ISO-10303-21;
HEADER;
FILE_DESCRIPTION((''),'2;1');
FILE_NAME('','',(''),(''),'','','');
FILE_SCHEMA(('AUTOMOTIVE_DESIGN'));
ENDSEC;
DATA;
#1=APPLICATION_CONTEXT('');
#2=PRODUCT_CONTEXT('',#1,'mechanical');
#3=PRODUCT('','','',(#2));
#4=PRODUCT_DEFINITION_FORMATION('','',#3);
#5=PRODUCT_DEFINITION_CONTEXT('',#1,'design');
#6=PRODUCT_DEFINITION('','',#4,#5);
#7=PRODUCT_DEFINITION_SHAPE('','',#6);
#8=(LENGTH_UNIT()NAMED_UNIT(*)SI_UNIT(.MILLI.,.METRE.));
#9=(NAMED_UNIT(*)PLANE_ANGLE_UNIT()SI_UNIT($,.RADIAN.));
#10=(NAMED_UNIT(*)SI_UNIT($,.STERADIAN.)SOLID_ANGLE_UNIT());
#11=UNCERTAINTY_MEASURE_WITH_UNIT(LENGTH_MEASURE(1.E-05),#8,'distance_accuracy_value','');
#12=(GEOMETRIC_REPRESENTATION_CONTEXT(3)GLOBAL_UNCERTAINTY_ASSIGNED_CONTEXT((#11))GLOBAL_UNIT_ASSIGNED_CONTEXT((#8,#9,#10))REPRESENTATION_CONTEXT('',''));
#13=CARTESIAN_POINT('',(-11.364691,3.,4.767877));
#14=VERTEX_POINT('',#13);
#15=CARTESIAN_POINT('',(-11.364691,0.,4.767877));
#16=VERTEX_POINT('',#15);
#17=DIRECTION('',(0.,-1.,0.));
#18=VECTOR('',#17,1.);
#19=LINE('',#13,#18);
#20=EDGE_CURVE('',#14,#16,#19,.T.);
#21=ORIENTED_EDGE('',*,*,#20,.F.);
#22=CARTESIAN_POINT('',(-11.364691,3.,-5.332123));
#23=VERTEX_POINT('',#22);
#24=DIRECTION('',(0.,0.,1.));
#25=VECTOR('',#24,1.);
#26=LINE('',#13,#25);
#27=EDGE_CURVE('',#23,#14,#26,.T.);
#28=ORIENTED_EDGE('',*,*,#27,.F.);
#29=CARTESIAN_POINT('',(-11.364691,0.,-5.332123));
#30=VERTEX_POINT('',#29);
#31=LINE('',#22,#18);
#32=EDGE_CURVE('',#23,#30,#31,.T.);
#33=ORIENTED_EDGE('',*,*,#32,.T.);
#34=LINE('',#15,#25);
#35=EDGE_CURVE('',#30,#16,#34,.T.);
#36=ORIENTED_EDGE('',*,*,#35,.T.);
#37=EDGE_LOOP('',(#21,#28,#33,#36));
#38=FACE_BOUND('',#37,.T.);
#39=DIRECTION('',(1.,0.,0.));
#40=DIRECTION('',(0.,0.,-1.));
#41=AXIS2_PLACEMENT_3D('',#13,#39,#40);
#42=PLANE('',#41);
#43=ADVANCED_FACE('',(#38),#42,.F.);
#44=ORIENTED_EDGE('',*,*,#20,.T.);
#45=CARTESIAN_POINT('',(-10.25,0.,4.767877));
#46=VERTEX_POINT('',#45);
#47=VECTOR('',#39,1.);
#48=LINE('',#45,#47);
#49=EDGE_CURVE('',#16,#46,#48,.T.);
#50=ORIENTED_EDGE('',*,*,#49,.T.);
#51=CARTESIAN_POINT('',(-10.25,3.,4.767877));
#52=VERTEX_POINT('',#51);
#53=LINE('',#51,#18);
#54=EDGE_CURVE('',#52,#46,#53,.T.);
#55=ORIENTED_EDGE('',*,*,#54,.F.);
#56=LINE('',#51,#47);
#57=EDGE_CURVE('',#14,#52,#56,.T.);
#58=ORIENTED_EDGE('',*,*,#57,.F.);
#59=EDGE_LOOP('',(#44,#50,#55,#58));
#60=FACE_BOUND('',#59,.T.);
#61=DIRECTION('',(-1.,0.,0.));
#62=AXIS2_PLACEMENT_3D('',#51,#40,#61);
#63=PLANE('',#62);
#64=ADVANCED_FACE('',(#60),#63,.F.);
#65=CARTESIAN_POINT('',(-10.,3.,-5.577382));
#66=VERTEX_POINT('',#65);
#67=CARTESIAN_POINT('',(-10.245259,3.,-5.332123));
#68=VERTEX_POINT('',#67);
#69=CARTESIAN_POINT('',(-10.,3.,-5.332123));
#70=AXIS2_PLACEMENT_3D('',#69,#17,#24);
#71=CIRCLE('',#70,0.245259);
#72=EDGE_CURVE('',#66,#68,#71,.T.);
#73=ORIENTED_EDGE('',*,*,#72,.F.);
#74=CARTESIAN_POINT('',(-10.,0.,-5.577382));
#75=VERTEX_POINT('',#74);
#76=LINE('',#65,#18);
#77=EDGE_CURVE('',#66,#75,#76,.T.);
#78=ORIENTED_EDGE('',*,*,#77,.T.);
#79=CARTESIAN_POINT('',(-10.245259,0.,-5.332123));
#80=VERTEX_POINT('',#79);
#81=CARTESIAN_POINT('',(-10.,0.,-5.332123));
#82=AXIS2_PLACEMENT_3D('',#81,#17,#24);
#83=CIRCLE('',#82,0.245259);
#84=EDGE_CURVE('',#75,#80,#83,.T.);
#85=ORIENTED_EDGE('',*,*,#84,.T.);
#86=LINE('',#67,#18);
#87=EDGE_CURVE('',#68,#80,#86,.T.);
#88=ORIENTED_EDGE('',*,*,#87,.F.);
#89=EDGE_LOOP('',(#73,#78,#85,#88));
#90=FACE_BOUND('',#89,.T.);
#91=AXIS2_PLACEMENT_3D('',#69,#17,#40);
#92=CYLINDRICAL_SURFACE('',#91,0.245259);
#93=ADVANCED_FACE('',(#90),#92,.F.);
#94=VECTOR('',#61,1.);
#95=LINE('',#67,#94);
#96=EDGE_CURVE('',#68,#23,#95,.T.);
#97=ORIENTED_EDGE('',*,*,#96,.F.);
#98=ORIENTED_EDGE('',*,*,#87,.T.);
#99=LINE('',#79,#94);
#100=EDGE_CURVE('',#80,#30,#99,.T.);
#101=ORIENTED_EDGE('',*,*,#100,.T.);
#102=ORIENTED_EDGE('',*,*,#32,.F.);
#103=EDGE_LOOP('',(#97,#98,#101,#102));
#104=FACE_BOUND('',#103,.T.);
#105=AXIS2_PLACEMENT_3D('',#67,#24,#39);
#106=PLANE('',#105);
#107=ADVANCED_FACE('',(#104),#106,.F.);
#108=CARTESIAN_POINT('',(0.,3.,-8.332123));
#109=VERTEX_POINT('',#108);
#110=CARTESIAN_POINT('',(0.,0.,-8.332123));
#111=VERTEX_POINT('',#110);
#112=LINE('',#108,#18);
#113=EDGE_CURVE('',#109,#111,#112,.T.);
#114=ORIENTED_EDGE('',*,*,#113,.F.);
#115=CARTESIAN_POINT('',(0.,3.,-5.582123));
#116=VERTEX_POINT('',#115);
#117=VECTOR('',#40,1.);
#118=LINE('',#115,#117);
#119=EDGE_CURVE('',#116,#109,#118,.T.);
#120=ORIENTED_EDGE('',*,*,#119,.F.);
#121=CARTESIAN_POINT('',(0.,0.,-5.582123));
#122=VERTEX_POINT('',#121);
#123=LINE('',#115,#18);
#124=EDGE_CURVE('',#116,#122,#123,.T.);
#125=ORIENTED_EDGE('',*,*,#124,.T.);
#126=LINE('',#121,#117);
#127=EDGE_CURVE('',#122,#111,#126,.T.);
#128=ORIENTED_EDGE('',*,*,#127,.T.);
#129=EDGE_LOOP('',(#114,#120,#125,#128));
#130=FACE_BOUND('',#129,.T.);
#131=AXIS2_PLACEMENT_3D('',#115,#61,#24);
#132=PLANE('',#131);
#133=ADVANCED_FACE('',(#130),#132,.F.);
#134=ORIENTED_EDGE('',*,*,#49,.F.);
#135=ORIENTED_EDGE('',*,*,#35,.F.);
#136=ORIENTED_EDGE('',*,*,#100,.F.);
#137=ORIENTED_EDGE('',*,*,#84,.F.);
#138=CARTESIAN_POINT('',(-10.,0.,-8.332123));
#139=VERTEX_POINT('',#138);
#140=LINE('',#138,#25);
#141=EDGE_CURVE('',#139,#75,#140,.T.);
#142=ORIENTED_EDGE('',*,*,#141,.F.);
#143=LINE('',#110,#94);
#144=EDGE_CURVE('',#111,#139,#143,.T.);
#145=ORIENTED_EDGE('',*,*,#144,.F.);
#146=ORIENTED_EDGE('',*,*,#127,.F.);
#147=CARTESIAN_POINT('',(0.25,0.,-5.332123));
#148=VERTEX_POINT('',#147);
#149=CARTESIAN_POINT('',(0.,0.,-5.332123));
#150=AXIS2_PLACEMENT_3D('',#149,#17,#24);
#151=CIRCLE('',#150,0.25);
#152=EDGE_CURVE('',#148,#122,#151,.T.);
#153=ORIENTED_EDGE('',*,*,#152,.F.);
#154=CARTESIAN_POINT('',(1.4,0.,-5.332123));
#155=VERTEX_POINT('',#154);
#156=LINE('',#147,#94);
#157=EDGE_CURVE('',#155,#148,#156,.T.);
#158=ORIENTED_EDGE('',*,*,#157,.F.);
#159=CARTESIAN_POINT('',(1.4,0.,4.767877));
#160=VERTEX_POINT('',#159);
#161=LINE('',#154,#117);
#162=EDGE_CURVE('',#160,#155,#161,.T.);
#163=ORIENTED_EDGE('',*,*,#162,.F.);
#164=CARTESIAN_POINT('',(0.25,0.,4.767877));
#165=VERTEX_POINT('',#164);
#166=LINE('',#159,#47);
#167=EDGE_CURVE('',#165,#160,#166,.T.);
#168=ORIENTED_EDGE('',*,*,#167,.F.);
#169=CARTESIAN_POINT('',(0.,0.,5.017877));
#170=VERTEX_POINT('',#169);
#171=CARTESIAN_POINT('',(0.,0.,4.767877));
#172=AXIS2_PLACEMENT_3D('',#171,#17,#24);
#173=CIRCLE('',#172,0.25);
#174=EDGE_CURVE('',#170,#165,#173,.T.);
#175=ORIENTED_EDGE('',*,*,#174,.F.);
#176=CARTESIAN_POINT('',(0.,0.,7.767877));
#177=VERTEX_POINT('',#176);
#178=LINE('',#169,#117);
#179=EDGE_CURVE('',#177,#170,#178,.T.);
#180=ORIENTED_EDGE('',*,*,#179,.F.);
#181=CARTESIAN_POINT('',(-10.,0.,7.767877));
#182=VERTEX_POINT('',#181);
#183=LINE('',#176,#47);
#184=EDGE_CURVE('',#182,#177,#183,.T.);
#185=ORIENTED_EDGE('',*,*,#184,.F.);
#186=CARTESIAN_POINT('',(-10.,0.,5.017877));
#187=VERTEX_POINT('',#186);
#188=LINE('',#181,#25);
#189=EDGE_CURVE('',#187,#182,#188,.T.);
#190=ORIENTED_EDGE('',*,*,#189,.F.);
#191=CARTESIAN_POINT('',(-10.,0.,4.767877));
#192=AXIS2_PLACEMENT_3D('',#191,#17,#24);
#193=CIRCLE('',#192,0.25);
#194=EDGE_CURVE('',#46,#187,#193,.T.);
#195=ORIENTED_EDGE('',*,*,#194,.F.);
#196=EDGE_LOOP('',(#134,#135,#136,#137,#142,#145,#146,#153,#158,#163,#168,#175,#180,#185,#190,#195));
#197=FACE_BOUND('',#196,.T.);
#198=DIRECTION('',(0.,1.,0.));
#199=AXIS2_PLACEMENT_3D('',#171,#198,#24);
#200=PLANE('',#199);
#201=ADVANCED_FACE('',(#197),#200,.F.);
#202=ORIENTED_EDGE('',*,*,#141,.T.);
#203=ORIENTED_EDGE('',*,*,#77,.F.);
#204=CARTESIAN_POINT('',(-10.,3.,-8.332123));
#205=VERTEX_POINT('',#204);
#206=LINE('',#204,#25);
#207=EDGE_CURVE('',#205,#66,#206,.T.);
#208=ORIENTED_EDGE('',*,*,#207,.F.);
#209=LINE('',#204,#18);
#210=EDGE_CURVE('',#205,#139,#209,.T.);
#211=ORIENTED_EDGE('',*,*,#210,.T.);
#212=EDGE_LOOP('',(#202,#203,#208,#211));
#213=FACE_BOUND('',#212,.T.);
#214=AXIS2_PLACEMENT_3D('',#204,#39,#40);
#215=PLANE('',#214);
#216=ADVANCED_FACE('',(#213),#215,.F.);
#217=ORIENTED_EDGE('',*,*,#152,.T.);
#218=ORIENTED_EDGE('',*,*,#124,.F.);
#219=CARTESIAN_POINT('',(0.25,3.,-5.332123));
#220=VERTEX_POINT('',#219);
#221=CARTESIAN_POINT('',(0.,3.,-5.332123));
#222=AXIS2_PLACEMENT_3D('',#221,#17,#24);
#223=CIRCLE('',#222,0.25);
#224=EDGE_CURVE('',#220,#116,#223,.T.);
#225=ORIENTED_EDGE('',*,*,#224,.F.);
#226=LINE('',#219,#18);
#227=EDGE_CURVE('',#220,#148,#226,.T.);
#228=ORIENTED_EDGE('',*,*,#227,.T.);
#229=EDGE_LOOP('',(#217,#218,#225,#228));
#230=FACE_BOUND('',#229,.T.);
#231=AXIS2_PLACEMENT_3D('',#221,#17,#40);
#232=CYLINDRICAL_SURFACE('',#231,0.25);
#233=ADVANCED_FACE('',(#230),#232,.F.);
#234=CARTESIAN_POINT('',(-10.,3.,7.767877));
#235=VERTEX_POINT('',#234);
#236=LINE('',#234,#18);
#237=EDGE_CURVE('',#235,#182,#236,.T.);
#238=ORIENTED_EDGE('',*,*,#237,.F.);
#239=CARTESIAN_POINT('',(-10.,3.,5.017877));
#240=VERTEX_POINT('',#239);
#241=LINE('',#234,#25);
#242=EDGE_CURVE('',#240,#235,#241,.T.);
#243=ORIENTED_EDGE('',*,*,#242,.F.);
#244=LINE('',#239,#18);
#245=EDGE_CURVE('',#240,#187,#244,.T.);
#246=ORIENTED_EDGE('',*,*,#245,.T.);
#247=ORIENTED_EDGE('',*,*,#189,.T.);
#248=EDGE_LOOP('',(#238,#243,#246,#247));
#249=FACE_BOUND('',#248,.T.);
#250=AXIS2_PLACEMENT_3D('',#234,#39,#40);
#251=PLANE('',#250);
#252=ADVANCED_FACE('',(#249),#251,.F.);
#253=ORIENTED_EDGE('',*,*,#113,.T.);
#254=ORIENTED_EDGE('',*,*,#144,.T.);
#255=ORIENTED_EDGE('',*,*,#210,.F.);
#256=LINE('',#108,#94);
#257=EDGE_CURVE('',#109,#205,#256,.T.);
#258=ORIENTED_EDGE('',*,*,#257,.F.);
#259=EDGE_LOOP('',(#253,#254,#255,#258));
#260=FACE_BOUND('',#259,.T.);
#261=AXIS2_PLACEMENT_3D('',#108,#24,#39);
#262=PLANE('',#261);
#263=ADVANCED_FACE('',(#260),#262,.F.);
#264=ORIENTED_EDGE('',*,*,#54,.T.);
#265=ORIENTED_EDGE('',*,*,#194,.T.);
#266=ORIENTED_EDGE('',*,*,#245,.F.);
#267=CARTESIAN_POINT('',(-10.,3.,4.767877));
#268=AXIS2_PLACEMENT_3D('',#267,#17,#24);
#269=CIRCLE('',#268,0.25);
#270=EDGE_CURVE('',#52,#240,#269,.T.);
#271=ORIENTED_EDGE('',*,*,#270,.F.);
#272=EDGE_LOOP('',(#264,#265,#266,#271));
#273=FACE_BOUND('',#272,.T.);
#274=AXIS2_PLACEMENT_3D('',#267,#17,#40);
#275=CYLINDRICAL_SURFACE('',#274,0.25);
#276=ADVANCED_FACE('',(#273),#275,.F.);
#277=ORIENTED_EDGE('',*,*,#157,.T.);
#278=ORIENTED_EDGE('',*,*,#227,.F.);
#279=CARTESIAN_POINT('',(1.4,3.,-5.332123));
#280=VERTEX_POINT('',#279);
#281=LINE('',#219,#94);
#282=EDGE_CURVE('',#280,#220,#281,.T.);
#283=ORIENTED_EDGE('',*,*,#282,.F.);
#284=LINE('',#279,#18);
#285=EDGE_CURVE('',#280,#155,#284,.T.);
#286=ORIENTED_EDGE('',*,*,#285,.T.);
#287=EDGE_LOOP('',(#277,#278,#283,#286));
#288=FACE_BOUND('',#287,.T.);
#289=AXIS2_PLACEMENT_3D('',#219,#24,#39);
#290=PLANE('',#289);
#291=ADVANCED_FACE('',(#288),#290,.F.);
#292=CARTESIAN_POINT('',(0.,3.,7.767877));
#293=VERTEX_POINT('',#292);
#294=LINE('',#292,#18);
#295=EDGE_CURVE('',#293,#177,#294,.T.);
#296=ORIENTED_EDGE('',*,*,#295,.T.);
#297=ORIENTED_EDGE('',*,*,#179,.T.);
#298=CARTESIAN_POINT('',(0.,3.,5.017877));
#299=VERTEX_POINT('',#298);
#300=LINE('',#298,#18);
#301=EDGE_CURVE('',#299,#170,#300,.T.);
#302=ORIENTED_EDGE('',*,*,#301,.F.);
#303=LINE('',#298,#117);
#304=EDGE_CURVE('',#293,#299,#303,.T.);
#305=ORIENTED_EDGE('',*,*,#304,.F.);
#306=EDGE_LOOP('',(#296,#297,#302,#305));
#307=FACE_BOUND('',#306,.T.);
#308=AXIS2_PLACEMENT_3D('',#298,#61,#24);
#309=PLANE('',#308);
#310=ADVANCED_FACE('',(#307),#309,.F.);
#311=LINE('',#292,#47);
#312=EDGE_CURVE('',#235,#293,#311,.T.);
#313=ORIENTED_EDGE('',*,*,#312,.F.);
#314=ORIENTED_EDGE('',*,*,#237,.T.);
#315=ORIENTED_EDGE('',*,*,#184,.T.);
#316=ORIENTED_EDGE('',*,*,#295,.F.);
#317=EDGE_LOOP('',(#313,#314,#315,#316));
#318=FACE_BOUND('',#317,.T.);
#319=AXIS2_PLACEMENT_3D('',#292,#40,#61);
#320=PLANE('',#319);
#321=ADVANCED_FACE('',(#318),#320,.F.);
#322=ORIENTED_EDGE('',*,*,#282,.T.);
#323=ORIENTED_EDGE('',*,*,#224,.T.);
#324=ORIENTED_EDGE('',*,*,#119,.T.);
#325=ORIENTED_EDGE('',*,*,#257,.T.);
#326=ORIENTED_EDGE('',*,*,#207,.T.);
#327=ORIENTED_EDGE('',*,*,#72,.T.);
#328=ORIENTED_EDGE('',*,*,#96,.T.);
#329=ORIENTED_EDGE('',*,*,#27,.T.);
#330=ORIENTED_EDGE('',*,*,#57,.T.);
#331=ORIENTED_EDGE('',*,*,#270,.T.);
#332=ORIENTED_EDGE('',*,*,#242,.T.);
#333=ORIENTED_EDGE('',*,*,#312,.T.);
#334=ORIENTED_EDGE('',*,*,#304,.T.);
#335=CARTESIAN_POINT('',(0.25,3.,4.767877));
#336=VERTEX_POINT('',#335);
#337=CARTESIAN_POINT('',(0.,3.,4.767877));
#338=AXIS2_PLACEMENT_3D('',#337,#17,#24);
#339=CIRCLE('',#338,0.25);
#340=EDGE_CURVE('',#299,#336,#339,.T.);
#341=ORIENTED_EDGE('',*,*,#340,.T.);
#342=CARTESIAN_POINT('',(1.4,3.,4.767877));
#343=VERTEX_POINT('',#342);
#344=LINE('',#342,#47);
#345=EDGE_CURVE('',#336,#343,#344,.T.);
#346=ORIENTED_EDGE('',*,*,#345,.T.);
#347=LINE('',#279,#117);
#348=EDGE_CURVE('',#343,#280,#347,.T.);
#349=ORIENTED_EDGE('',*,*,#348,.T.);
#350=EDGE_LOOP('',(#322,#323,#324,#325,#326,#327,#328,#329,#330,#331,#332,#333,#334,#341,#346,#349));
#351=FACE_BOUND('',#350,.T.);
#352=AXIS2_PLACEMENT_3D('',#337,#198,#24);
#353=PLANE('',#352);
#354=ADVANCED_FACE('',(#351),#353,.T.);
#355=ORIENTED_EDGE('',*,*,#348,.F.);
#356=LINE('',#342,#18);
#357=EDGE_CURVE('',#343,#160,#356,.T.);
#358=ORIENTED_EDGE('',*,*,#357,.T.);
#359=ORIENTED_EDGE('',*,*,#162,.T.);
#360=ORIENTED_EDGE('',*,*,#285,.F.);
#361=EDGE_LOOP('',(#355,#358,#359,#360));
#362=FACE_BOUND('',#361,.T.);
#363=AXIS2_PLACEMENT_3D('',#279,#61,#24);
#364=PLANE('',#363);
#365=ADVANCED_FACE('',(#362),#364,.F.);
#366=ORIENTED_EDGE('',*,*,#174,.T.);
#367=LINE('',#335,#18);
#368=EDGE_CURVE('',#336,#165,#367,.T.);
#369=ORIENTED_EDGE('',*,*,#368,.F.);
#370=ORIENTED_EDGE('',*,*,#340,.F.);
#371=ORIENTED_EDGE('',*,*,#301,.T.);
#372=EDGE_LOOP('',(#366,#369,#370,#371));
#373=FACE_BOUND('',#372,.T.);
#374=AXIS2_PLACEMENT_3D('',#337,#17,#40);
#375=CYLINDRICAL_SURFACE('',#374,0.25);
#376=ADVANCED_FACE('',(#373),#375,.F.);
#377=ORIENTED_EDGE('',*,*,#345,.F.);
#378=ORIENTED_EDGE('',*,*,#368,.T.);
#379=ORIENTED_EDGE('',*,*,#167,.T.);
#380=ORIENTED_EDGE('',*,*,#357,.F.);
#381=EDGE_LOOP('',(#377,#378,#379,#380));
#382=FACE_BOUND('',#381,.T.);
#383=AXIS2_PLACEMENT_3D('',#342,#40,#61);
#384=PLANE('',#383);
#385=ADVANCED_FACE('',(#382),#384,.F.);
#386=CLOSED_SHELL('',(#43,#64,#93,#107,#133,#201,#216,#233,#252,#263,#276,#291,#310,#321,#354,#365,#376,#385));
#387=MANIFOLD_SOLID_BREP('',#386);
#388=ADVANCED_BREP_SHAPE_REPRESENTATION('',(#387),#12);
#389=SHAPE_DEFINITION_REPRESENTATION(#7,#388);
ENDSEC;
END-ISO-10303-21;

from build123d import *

# Parameters (mm, degrees)
BOSS_EXTRUDE1_DEPTH = 3


with BuildPart() as part:
    # Sketch1 → Boss-Extrude1 (new body)
    with BuildSketch(Plane(origin=(0, 0, 0), x_dir=(1, 0, 0), z_dir=(0, 1, 0))):
        with BuildLine():
            Line((0.25, 5.332122905), (1.4, 5.332122905))
            Line((1.4, 5.332122905), (1.4, -4.767877095))
            Line((1.4, -4.767877095), (0.25, -4.767877095))
            ThreePointArc((0.25, -4.767877095), (-0.176776695, -4.5911004), (0, -5.017877095))
            Line((0, -5.017877095), (0, -7.767877095))
            Line((0, -7.767877095), (-10, -7.767877095))
            Line((-10, -7.767877095), (-10, -5.017877095))
            ThreePointArc((-10, -5.017877095), (-9.823223305, -4.5911004), (-10.25, -4.767877095))
            Line((-10.25, -4.767877095), (-11.364691425, -4.767877095))
            Line((-11.364691425, -4.767877095), (-11.364691425, 5.332122905))
            Line((-11.364691425, 5.332122905), (-10.245259273, 5.332122905))
            ThreePointArc((-10.245259273, 5.332122905), (-9.826575505, 5.15869841), (-10, 5.577382178))
            Line((-10, 5.577382178), (-10, 8.332122905))
            Line((-10, 8.332122905), (0, 8.332122905))
            Line((0, 8.332122905), (0, 5.582122905))
            ThreePointArc((0, 5.582122905), (-0.176776695, 5.15534621), (0.25, 5.332122905))
        make_face()
    extrude(amount=BOSS_EXTRUDE1_DEPTH)


solid = part.part
